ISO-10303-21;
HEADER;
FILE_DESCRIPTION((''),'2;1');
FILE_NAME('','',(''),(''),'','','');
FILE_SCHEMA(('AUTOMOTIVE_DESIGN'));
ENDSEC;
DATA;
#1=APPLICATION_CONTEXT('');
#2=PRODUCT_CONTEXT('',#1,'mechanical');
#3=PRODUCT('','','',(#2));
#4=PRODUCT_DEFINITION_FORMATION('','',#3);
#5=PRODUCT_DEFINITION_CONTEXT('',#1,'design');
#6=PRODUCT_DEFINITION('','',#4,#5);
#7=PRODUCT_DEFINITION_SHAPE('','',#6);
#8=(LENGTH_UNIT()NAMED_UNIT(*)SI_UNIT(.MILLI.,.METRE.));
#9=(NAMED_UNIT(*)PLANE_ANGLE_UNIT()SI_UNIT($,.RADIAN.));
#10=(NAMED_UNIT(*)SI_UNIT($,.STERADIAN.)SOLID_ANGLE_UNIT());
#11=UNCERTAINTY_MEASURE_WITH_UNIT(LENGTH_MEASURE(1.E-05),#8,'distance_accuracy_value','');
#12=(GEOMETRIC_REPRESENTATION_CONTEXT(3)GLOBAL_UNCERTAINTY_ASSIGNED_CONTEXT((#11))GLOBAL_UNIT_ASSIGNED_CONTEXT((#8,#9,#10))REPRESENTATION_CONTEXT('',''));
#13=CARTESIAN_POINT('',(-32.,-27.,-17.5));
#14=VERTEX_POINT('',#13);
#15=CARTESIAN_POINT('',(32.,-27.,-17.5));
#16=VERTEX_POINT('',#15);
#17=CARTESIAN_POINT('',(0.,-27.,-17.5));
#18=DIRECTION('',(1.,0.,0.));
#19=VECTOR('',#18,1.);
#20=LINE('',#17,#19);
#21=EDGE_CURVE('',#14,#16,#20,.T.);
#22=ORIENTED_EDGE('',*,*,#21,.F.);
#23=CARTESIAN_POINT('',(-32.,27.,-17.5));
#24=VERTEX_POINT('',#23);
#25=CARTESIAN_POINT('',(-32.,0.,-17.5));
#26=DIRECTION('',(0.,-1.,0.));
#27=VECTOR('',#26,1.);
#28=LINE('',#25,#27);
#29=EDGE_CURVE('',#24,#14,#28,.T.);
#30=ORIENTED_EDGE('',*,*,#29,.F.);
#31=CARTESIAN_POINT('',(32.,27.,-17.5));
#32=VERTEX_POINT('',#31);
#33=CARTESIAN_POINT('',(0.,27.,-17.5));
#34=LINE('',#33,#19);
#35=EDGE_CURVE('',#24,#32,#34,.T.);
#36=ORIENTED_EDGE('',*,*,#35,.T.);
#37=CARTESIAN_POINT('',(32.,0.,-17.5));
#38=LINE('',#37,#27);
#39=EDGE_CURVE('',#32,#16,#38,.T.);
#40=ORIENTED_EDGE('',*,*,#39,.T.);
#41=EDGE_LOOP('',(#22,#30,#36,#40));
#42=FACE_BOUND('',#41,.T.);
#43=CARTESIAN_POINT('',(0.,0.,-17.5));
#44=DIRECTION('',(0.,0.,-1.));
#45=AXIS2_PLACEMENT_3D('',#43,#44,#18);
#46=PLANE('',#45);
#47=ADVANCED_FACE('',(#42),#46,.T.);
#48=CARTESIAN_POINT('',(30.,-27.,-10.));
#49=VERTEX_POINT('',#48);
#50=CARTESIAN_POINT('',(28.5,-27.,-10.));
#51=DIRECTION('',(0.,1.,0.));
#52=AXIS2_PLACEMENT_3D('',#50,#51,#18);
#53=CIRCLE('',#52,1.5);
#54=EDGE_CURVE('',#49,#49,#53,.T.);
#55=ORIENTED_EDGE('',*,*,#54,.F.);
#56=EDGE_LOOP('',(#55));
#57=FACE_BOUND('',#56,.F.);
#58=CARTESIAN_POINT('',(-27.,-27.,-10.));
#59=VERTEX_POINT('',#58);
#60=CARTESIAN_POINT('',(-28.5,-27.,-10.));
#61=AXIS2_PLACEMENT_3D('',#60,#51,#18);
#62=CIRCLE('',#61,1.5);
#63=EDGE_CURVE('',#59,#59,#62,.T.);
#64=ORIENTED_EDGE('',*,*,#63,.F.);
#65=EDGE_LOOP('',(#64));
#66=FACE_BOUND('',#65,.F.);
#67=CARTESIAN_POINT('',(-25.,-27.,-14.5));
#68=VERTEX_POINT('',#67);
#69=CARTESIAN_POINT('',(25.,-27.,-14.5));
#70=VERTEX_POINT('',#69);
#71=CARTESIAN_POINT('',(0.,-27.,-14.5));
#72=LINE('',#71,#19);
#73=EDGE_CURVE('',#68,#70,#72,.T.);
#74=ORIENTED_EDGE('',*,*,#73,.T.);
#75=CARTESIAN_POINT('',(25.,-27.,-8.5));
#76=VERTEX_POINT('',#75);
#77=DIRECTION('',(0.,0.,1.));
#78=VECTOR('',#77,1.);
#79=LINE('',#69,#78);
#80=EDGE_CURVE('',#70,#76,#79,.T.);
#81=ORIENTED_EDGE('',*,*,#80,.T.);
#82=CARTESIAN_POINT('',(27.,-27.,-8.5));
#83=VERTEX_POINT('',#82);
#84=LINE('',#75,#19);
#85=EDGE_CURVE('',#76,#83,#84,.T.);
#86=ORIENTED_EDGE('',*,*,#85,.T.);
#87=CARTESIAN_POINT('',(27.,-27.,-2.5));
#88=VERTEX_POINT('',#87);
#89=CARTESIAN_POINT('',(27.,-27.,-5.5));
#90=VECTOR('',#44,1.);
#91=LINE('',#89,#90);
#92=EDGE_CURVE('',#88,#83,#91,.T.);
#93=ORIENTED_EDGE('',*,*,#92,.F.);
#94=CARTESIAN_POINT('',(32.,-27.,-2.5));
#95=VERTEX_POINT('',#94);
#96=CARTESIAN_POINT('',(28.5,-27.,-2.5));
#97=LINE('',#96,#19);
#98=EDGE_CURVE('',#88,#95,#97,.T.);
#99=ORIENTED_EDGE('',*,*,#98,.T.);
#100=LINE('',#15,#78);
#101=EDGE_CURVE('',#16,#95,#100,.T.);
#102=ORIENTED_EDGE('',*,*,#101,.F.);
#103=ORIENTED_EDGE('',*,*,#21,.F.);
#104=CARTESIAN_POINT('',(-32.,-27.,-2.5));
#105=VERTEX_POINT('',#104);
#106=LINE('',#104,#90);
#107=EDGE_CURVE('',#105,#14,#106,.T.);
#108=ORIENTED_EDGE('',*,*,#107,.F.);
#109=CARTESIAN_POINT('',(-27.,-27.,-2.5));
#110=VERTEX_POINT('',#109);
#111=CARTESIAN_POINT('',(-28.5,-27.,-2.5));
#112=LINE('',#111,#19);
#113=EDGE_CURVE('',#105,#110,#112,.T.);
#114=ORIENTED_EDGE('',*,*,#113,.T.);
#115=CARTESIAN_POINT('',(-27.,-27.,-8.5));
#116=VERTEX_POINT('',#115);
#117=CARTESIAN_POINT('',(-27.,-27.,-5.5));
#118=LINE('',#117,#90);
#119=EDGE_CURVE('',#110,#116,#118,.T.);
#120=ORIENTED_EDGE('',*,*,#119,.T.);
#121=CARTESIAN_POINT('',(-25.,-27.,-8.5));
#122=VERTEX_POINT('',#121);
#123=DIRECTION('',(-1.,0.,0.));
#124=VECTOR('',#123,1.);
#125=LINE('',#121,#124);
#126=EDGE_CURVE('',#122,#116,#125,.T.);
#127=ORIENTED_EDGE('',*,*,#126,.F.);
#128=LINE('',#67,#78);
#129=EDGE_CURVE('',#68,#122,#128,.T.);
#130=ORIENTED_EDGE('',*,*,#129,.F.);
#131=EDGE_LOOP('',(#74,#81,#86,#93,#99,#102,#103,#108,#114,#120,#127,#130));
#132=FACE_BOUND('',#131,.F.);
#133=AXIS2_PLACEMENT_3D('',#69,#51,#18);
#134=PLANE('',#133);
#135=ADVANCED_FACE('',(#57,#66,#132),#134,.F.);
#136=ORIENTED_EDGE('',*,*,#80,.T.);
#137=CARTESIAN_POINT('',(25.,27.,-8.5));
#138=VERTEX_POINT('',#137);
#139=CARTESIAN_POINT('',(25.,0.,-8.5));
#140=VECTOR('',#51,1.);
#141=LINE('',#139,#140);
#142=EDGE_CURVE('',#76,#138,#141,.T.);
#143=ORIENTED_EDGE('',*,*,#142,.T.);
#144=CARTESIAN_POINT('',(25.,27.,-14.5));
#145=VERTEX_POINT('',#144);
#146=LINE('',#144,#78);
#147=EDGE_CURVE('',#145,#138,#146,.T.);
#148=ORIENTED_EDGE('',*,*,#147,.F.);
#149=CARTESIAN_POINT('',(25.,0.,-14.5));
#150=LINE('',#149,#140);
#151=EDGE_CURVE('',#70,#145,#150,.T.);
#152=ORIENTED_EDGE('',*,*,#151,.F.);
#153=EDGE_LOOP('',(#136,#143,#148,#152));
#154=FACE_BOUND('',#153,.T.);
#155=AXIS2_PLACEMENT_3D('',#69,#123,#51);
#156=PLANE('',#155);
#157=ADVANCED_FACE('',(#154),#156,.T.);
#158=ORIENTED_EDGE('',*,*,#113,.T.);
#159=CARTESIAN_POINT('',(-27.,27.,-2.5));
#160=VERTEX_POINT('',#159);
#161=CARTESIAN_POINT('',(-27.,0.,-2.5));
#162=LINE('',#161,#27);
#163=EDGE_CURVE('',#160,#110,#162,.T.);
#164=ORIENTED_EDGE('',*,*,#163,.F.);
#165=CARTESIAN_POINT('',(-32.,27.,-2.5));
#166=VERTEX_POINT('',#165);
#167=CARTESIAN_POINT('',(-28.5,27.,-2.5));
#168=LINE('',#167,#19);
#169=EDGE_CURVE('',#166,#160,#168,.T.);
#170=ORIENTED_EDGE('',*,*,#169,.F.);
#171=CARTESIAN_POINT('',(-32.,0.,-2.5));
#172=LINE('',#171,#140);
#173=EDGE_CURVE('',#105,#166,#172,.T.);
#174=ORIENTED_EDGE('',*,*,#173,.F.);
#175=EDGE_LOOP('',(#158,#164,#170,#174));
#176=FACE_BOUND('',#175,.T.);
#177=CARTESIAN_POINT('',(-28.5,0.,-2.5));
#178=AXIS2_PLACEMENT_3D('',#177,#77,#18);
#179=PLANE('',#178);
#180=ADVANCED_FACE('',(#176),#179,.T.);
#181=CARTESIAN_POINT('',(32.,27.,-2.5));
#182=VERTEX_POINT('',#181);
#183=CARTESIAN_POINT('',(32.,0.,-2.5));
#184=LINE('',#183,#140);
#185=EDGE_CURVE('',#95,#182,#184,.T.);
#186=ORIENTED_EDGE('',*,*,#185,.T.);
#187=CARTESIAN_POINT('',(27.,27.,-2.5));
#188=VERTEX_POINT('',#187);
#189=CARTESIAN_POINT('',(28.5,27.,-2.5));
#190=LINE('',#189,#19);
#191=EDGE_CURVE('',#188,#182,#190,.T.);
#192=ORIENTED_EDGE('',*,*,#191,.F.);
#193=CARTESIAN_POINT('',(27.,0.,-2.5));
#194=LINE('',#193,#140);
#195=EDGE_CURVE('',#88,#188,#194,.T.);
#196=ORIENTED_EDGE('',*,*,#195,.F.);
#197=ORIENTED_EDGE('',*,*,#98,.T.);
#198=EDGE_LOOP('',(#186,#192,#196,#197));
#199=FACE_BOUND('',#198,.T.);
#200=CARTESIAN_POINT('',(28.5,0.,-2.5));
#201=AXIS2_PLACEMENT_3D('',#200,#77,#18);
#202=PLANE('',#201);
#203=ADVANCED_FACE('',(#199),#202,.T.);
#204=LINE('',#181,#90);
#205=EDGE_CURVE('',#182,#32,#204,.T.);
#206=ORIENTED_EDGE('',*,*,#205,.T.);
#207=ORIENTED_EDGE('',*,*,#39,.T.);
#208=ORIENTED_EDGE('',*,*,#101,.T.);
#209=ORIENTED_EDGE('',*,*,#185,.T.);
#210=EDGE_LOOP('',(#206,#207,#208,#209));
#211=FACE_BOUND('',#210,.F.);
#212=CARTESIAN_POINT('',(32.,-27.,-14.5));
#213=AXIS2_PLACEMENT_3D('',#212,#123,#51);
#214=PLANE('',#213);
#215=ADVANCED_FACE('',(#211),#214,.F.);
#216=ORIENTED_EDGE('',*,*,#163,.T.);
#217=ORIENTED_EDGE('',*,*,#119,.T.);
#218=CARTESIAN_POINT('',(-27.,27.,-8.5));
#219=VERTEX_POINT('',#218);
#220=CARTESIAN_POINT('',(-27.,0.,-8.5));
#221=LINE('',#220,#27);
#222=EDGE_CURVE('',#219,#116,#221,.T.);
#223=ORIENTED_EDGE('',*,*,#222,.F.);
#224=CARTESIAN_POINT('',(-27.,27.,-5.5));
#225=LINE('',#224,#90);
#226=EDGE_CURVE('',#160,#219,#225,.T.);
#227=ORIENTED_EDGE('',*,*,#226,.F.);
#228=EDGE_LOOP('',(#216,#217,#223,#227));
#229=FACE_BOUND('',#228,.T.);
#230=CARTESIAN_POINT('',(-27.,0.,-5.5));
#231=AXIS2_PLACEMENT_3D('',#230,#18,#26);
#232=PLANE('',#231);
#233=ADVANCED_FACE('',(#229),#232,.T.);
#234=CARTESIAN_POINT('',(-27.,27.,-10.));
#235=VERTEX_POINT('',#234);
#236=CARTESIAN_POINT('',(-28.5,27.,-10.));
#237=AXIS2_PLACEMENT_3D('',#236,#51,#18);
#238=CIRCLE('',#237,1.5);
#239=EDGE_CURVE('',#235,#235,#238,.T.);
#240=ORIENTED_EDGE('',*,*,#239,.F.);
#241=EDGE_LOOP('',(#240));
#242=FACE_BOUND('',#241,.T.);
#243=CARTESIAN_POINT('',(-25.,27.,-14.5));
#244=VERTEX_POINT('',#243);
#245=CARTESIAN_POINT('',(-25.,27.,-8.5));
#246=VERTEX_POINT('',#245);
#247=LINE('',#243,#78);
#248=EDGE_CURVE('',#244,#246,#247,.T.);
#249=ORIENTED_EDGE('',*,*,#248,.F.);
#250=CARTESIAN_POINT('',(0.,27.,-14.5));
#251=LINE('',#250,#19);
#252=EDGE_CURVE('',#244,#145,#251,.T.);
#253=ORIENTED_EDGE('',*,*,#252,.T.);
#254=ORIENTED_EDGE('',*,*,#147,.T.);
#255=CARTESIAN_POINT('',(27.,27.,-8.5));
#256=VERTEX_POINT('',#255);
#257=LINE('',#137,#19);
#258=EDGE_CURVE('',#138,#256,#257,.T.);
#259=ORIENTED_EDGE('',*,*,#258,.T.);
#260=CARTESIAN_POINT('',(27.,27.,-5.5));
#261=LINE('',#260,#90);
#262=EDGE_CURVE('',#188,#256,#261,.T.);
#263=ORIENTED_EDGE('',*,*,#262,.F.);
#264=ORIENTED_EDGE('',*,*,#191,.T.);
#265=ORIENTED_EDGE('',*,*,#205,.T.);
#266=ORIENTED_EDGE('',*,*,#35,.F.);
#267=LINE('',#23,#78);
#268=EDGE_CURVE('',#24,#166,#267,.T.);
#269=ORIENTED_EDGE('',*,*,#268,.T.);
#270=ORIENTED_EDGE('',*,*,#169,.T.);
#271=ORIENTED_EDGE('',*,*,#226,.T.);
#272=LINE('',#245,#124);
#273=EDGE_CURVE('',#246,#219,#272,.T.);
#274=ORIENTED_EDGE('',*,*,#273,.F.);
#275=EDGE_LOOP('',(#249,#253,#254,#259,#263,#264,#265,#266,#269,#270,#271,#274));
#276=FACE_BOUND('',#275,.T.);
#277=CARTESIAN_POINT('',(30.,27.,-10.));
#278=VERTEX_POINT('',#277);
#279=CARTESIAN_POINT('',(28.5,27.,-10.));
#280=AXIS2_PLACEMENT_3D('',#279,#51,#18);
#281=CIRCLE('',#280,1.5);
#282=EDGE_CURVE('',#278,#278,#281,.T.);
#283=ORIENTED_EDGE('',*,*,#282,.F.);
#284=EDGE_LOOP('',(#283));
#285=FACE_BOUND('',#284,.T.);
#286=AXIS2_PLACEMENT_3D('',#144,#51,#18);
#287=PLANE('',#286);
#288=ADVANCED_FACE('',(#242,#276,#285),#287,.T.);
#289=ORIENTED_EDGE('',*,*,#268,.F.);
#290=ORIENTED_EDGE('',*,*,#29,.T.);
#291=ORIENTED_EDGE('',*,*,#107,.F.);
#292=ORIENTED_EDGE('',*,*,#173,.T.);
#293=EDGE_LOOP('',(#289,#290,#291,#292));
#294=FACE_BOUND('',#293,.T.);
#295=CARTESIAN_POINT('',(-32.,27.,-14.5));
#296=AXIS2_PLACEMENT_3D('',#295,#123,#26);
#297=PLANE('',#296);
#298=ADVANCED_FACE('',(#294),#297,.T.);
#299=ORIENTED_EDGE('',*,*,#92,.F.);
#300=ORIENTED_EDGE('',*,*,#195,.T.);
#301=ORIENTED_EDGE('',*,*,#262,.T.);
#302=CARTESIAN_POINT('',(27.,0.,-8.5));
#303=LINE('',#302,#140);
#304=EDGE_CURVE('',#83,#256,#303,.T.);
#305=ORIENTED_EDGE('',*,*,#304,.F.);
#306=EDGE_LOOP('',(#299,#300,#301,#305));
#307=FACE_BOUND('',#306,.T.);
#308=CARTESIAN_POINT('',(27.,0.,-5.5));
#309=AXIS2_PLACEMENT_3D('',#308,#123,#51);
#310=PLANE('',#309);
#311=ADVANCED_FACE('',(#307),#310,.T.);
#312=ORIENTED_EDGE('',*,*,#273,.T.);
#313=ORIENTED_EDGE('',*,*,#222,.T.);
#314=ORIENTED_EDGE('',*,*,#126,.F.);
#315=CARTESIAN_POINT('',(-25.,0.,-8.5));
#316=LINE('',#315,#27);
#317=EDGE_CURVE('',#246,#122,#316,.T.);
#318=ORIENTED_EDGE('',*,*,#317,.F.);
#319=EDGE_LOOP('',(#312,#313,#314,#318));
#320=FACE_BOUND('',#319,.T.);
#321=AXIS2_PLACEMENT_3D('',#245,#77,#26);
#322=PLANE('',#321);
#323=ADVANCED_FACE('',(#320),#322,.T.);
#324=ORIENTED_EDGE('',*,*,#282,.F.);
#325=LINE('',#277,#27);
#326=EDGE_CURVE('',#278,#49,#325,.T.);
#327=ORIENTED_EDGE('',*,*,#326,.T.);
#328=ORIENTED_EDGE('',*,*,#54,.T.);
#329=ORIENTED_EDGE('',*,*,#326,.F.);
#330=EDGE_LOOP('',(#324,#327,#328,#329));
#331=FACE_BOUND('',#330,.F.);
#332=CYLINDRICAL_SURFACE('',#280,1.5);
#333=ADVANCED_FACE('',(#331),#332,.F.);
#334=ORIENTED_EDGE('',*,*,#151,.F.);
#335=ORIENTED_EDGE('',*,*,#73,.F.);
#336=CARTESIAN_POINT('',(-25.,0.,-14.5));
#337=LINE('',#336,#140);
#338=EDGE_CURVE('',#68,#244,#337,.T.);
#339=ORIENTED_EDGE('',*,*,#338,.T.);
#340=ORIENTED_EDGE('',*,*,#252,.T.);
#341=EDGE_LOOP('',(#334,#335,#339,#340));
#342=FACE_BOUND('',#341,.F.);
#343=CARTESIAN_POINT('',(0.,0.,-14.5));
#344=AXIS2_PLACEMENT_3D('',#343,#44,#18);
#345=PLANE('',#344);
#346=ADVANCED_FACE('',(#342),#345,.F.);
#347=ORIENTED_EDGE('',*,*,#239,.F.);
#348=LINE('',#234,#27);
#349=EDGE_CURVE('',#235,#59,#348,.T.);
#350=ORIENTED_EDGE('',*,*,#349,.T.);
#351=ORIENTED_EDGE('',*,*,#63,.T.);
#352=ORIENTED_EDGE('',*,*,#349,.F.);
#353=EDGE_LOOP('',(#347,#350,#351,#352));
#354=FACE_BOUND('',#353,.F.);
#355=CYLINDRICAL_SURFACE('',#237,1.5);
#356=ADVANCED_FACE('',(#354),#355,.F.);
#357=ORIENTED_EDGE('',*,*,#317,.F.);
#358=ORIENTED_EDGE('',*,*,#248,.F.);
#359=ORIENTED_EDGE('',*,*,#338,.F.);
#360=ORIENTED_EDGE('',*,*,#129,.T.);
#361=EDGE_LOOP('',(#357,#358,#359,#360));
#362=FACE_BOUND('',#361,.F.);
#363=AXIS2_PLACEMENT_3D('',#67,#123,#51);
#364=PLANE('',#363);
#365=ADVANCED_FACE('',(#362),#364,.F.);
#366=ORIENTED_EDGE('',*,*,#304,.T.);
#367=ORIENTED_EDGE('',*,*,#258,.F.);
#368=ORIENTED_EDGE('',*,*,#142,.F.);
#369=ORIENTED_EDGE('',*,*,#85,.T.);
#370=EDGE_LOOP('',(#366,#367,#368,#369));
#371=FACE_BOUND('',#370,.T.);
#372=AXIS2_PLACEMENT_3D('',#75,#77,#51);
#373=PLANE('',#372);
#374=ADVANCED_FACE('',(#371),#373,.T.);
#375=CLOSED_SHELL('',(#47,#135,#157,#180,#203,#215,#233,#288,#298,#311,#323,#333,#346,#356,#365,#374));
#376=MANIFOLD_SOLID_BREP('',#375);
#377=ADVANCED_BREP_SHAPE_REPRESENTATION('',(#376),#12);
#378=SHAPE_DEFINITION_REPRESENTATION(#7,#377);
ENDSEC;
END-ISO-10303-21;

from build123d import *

# Parameters (mm, degrees)
SKETCH004_W             = 64
SKETCH004_H             = 54
PAD002_DEPTH            = 3
SKETCH005_W             = 7
SKETCH005_H             = 54
PAD003_DEPTH            = 12
SKETCH008_R             = 1.5
POCKET003_DEPTH         = 60
SKETCH009_R             = 1.5
POCKET004_DEPTH         = 60
SKETCH016_W             = 54
SKETCH016_H             = 6
POCKET008_DEPTH         = 2
SKETCH017_W             = 54
SKETCH017_H             = 6
POCKET009_DEPTH         = 2
BODY001_PLACEMENT_ANGLE = 180


with BuildPart() as part:
    # Sketch004 → Pad002 (new body)
    with BuildSketch(Plane.XY):
        Rectangle(SKETCH004_W, SKETCH004_H)
    extrude(amount=PAD002_DEPTH)

    # Sketch005 (on Face5 of Pad002) → Pad003 (join)
    with BuildSketch(Plane(origin=(0, 0, 0), x_dir=(1, 0, 0), z_dir=(0, 0, -1))):
        with Locations((28.5, 0)):
            Rectangle(SKETCH005_W, SKETCH005_H)
        with Locations((-28.5, 0)):
            Rectangle(SKETCH005_W, SKETCH005_H)
    extrude(amount=PAD003_DEPTH)

    # Sketch008 (on Face15 of Pad003) → Pocket003 (cut)
    with BuildSketch(Plane.XZ.offset(27)):
        with Locations((28.5, -4.5)):
            Circle(SKETCH008_R)
    extrude(amount=-POCKET003_DEPTH, mode=Mode.SUBTRACT)

    # Sketch009 (on Face16 of Pocket003) → Pocket004 (cut)
    with BuildSketch(Plane.XZ.offset(27)):
        with Locations((-28.5, -4.5)):
            Circle(SKETCH009_R)
    extrude(amount=-POCKET004_DEPTH, mode=Mode.SUBTRACT)

    # Sketch016 (on Face11 of Pocket004) → Pocket008 (cut)
    with BuildSketch(Plane.YZ.offset(-25)):
        with Locations((0, -9)):
            Rectangle(SKETCH016_W, SKETCH016_H)
    extrude(amount=-POCKET008_DEPTH, mode=Mode.SUBTRACT)

    # Sketch017 (on Face16 of Pocket008) → Pocket009 (cut)
    with BuildSketch(Plane(origin=(25, 0, 0), x_dir=(0, -1, 0), z_dir=(-1, 0, 0))):
        with Locations((0, -9)):
            Rectangle(SKETCH017_W, SKETCH017_H)
    extrude(amount=-POCKET009_DEPTH, mode=Mode.SUBTRACT)


with BuildPart() as part_1:
    # Body001 placement: moved
    add(part.part.moved(Location((0, 0, -14.5))).rotate(Axis((0, 0, -14.5), (1, 0, 0)), BODY001_PLACEMENT_ANGLE))


solid = part_1.part
